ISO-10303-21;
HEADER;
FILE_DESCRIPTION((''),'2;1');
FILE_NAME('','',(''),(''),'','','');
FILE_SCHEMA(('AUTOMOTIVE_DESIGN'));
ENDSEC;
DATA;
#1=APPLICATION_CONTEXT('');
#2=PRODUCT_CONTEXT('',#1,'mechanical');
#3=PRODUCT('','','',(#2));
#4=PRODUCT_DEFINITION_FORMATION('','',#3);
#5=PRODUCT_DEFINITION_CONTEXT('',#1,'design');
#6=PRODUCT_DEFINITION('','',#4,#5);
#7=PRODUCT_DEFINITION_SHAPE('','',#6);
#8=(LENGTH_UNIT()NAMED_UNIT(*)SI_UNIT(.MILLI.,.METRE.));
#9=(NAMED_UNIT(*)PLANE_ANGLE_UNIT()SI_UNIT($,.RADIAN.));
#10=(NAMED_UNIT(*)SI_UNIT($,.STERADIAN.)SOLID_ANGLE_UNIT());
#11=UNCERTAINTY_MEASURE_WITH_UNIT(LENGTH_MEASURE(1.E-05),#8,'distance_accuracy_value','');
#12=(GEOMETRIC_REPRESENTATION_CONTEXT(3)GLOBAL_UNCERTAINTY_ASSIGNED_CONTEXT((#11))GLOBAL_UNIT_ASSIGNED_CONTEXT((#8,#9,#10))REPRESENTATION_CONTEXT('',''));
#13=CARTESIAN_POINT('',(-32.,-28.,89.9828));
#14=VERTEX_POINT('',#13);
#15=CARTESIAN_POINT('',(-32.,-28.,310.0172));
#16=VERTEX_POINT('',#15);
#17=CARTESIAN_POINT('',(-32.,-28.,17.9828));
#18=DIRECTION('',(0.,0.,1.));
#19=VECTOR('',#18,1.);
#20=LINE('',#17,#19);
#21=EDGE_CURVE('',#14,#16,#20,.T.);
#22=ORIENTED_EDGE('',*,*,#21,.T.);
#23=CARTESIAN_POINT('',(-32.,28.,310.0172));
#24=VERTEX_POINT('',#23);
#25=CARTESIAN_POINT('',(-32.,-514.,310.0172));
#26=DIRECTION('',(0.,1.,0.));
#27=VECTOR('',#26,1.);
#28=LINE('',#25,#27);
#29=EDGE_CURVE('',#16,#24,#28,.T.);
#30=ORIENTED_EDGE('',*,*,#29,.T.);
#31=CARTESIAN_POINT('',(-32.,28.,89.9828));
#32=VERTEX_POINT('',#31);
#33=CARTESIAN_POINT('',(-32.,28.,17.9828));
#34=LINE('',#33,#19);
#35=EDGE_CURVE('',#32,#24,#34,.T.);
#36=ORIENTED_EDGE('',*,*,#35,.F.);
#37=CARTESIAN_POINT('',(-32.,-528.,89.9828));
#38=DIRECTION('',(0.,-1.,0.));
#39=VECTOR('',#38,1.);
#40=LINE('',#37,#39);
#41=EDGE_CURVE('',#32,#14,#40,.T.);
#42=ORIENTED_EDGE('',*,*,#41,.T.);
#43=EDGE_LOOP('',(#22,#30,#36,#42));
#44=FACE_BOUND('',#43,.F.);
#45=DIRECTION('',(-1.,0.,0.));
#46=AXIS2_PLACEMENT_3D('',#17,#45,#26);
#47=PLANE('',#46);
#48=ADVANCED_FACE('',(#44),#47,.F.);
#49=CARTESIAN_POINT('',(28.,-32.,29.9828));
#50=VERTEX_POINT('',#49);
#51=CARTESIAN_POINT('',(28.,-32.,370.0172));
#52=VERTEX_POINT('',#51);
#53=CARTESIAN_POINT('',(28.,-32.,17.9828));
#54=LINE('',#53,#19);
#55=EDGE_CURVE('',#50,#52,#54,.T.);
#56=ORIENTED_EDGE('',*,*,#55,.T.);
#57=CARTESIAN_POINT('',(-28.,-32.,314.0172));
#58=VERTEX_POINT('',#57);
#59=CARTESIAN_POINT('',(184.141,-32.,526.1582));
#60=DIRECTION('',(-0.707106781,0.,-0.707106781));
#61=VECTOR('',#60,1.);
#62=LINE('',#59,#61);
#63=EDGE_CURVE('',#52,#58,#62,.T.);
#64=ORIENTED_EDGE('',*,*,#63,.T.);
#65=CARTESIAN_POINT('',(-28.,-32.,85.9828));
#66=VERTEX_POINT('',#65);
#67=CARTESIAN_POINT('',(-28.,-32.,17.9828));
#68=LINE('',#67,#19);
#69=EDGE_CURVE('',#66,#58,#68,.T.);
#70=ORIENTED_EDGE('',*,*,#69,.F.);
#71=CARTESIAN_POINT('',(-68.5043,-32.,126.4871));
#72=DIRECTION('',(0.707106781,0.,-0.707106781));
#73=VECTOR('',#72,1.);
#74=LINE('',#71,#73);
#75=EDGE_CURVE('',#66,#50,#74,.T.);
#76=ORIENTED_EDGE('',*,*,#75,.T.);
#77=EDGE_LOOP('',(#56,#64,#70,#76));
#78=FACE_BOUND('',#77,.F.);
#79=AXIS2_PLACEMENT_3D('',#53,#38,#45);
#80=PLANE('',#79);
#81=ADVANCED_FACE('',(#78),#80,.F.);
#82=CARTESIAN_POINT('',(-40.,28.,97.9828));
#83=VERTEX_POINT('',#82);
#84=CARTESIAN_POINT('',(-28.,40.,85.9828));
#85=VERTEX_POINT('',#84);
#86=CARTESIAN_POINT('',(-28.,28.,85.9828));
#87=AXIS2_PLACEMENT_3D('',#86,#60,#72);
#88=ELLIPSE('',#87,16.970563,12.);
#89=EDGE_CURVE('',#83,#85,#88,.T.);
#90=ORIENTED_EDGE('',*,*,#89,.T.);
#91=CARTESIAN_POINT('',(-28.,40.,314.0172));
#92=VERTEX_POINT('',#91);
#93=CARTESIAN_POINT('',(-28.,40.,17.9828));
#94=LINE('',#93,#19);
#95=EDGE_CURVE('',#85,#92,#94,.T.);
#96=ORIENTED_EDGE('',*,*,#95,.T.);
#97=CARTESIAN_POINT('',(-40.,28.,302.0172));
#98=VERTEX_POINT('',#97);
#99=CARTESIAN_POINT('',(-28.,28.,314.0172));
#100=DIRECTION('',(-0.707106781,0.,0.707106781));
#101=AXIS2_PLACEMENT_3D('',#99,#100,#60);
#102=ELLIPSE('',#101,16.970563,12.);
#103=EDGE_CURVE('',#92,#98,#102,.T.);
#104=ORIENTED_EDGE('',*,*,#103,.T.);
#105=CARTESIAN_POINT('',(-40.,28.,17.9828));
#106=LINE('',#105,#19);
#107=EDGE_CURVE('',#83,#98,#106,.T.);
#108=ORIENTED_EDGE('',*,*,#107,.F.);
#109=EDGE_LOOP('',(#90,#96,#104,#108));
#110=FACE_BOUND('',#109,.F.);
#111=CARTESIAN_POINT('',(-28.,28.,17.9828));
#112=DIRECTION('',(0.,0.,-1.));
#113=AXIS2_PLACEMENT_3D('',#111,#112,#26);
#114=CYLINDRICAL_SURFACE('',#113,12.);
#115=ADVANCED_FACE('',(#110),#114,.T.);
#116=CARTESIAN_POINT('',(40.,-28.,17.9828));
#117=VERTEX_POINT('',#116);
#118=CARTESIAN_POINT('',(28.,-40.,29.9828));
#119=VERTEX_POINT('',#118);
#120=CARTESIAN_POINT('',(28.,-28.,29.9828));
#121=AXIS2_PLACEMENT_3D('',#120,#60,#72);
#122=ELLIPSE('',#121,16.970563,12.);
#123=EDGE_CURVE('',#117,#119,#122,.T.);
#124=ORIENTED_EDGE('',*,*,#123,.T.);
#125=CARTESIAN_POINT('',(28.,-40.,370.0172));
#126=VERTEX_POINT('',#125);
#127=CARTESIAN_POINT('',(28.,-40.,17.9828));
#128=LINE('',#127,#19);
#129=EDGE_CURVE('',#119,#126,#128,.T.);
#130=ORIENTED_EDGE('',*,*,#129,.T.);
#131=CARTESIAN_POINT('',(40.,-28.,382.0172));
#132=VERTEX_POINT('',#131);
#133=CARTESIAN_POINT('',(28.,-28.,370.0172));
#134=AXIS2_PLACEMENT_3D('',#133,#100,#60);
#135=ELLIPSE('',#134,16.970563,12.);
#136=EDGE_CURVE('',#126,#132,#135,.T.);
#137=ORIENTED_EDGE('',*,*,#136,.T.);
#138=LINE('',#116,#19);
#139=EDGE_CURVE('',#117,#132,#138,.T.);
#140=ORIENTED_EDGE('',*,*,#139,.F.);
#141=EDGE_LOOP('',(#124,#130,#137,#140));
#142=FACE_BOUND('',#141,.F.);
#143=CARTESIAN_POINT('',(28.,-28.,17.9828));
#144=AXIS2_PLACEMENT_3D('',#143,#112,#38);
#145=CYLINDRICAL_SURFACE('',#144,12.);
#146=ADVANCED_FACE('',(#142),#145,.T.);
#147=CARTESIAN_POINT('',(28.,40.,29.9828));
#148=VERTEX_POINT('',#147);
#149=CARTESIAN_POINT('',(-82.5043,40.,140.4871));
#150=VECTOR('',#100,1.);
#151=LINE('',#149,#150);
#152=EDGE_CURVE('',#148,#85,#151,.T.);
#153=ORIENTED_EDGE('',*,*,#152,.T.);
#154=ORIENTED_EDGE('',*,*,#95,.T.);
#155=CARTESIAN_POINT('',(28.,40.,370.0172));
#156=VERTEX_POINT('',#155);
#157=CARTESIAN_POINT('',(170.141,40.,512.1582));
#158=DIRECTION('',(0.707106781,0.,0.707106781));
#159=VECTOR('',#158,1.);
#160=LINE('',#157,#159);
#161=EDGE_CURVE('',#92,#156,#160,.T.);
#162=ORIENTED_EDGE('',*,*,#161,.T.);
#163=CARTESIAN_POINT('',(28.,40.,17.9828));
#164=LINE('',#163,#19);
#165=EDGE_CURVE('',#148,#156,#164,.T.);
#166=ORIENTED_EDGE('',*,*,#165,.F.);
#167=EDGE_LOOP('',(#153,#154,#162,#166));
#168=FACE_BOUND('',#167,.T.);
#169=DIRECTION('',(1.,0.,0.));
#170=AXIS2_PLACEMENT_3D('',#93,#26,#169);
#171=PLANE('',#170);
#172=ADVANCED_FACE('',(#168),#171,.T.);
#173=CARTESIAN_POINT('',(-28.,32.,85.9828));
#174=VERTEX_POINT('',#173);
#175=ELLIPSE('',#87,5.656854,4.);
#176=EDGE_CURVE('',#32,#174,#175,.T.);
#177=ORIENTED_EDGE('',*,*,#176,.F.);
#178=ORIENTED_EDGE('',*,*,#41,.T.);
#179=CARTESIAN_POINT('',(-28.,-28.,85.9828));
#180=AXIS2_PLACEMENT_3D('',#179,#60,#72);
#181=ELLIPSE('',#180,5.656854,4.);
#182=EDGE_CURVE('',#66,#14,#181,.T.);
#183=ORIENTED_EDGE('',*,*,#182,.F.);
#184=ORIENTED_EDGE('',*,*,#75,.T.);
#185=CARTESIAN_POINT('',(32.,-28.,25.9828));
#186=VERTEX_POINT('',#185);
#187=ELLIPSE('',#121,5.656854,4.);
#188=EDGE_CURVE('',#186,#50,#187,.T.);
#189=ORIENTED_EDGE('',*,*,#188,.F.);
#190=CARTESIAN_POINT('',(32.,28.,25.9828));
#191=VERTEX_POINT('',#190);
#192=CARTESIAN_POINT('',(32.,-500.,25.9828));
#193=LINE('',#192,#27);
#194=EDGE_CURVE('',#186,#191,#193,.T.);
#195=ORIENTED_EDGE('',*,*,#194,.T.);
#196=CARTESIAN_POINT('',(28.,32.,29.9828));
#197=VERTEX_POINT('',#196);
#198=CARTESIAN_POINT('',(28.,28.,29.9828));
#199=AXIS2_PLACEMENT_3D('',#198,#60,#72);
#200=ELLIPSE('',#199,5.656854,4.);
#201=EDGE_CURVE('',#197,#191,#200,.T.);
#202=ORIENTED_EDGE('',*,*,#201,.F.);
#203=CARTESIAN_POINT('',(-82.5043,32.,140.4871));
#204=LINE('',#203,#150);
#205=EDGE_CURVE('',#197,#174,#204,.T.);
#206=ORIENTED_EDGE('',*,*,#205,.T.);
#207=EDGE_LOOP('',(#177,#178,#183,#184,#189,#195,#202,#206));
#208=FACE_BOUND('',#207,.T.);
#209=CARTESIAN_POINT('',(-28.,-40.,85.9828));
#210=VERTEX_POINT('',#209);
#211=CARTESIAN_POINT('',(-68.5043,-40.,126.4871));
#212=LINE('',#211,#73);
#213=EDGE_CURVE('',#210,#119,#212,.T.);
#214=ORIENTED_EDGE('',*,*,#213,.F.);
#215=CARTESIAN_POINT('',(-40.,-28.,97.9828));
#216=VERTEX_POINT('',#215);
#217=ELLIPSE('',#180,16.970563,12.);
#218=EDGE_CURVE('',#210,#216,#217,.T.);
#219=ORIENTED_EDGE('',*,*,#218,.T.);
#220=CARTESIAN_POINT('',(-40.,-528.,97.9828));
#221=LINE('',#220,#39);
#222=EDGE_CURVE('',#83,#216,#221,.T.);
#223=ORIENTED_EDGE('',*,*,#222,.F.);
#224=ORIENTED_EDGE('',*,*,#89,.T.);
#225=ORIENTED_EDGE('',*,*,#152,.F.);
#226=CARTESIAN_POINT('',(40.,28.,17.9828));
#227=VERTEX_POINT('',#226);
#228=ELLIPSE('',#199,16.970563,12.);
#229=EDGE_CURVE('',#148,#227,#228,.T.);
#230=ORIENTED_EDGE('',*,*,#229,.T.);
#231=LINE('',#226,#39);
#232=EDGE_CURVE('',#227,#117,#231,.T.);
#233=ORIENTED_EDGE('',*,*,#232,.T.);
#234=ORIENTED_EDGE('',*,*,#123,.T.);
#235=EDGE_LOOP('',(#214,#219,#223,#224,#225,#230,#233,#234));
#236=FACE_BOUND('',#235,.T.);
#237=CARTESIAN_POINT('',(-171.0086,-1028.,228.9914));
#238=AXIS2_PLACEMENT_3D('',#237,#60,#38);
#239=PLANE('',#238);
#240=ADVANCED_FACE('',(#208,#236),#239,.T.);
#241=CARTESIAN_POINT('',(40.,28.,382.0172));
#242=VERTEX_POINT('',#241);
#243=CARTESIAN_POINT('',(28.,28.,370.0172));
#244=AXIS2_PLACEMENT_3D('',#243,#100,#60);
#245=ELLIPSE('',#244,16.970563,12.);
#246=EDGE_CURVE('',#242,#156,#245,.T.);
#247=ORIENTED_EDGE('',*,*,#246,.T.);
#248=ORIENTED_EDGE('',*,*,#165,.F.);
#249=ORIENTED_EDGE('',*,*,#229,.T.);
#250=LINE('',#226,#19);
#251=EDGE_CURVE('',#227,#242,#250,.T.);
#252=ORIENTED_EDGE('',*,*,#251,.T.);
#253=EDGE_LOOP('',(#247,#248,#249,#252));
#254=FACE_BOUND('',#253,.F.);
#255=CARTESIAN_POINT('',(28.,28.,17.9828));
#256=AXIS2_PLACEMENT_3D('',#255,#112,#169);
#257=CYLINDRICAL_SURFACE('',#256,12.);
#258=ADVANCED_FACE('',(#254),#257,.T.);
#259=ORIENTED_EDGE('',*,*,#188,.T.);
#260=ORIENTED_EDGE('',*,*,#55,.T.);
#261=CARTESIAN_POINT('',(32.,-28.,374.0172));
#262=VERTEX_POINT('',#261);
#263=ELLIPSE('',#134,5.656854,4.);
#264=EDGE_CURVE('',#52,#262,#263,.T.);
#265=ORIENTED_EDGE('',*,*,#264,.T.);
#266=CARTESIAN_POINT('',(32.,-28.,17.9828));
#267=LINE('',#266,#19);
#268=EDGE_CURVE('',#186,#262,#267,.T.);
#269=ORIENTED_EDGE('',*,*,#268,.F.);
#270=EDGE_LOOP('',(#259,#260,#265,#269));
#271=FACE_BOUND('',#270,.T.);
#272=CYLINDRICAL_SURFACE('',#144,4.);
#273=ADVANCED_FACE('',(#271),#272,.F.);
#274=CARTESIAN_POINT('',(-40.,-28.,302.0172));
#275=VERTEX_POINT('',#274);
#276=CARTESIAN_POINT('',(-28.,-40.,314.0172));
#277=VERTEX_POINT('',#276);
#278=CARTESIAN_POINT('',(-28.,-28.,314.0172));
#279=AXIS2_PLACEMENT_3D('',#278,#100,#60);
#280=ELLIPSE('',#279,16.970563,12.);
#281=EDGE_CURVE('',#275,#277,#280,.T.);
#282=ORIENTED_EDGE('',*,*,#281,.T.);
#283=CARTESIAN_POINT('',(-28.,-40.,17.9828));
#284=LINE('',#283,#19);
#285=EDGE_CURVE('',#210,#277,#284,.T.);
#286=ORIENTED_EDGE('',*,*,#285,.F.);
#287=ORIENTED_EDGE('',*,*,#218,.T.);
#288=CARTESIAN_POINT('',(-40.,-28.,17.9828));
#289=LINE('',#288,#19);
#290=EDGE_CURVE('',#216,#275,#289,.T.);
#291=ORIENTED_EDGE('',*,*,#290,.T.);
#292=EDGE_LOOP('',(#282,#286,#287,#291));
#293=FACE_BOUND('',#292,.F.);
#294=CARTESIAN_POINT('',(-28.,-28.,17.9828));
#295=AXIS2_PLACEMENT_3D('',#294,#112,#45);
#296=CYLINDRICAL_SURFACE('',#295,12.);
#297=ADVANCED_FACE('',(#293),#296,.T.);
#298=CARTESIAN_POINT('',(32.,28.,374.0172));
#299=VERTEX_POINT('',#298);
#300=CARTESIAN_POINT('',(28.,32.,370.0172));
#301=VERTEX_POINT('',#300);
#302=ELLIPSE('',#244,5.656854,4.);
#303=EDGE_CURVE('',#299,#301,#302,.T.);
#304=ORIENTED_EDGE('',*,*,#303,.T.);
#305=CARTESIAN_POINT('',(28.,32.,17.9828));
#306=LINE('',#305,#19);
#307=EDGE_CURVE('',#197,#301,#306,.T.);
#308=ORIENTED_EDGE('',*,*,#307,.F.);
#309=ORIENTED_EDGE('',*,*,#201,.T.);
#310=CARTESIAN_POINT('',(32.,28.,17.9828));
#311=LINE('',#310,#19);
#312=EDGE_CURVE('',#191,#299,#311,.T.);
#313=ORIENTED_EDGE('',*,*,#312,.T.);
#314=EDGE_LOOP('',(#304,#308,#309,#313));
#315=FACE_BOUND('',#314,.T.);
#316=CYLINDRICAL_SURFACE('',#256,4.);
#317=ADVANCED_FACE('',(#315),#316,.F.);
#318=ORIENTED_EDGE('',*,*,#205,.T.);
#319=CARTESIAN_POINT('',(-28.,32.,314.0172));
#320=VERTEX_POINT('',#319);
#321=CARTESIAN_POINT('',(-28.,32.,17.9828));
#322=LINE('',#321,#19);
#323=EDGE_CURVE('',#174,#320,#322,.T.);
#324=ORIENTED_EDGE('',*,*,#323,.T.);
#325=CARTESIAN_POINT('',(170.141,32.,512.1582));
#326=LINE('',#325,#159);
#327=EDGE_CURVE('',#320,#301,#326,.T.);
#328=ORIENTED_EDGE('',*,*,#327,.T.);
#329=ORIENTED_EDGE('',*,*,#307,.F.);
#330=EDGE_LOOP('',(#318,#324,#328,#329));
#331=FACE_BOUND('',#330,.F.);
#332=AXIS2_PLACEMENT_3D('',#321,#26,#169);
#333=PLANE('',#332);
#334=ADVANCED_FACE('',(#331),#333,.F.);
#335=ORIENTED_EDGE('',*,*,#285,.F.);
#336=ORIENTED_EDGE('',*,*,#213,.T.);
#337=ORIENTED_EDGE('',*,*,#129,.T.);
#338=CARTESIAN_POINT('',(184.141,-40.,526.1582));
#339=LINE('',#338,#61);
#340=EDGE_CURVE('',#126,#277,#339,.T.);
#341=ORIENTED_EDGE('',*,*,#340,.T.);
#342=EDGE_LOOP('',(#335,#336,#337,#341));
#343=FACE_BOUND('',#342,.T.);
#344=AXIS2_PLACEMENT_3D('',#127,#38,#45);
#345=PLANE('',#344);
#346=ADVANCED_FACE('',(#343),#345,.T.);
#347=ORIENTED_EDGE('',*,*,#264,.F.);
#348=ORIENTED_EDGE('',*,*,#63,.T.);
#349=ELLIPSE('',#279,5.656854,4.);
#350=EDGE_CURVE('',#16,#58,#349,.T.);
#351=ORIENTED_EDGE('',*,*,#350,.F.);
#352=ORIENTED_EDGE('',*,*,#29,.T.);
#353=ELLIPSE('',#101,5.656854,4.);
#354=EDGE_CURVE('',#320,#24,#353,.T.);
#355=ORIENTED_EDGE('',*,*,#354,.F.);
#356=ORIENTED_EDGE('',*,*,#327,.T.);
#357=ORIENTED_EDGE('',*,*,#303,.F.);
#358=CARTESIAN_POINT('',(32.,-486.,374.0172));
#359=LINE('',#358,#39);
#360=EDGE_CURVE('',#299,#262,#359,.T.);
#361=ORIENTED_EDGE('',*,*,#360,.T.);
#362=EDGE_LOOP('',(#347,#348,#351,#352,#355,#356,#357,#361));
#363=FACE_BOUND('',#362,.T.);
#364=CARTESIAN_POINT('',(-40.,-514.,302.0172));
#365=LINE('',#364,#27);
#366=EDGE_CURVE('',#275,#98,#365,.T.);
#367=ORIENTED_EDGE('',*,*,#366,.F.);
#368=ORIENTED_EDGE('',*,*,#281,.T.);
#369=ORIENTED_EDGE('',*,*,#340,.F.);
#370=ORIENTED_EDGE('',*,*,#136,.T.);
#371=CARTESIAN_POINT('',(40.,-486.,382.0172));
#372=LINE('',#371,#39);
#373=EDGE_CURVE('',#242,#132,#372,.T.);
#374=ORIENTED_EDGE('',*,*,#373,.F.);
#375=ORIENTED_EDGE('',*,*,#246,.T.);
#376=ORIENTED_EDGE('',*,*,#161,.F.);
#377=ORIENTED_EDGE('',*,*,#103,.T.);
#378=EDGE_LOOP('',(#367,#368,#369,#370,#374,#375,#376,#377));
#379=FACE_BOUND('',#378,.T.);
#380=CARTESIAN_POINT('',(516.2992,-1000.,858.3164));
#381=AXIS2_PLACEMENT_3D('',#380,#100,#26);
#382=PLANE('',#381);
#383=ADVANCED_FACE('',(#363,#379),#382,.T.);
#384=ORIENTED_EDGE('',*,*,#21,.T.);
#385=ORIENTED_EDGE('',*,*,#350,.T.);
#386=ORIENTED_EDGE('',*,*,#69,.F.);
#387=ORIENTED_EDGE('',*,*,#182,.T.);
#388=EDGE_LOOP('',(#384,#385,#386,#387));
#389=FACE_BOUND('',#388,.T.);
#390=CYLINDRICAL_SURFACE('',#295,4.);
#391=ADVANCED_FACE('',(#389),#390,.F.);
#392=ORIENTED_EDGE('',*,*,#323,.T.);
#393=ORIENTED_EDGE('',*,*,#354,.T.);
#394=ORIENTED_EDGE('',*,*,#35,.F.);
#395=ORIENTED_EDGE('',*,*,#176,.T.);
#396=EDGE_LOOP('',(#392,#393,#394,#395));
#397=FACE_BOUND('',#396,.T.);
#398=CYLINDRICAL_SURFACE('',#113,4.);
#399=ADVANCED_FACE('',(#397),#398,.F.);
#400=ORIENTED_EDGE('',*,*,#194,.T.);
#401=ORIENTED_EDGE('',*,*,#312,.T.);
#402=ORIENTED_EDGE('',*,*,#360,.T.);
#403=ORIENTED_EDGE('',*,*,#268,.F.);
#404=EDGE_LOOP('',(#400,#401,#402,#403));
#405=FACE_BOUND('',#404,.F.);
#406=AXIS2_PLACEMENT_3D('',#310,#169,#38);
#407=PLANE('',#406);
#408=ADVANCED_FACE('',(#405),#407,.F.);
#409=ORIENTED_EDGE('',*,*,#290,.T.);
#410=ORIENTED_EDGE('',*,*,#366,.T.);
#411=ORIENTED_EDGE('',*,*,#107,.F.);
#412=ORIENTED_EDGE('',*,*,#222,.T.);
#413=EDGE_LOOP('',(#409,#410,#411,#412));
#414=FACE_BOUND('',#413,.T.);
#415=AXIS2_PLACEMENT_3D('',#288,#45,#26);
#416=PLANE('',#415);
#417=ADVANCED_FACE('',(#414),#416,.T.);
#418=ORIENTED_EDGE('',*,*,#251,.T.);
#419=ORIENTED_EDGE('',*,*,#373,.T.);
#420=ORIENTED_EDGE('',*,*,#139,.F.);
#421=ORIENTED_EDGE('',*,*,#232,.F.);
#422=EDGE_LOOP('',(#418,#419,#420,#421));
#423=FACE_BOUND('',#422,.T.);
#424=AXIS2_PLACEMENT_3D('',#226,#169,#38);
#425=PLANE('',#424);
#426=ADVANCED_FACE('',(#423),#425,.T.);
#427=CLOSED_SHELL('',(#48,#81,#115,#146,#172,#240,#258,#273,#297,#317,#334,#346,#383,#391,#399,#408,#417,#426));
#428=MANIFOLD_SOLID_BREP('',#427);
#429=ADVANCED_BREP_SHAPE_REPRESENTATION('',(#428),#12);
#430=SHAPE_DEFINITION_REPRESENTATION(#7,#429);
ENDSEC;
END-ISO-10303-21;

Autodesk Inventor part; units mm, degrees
ref_plane "Start Plane" through (0, 0, 17.9828) normal (0, 0, 1) x (1, 0, 0)
ref_plane "End Plane" through (0, 0, 382.0172) normal (0, 0, 1) x (1, 0, 0)
sketch "Sketch" plane through (0, 0, 0) normal (0, 0, 1) x (1, 0, 0)
  line L0 (-40, -28) -> (-40, 28)
  line L1 (-28, 40) -> (28, 40)
  line L2 (40, 28) -> (40, -28)
  line L3 (28, -40) -> (-28, -40)
  arc A0 (-40, -28) -> (-28, -40) centre (-28, -28) ccw
  arc A1 (-28, 40) -> (-40, 28) centre (-28, 28) ccw
  arc A2 (40, 28) -> (28, 40) centre (28, 28) ccw
  arc A3 (28, -40) -> (40, -28) centre (28, -28) ccw
  arc A4 (-28, 32) -> (-32, 28) centre (-28, 28) ccw
  line L4 (-28, 32) -> (28, 32)
  arc A5 (32, 28) -> (28, 32) centre (28, 28) ccw
  line L5 (32, 28) -> (32, -28)
  arc A6 (28, -32) -> (32, -28) centre (28, -28) ccw
  line L6 (28, -32) -> (-28, -32)
  arc A7 (-32, -28) -> (-28, -32) centre (-28, -28) ccw
  line L7 (-32, -28) -> (-32, 28)
  line L8 (0, 59.4794) -> (0, -59.4794) construction
  line L9 (-59.4794, 0) -> (59.4794, 0) construction
  dimension "d7" = 12
  dimension "d10" = 80
  dimension "d11" = 80
  dimension "d12" = 8
  dimension "d15" = 40
  dimension "d16" = 40
extrude "Body" add sketch "Sketch" along normal up to surface (364.0345 mm away) from surface at 17.9828
sketch "Sketch3" plane through (0, 0, 0) normal (0, 0, 1) x (1, 0, 0)
  line L0 (0, 0) -> (10, 0)
ref_plane "Work Plane3" through (0, 0, 0) normal (0, -1, 0) x (1, 0, 0)
ref_plane "Work Plane4" through (516.2992, -1000, 858.3164) normal (-0.7071, 0, 0.7071) x (0.7071, 0, 0.7071)
split "Split1" plane through (516.2992, -1000, 858.3164) removes the side toward (-0.7071, 0, 0.7071)
ref_plane "Work Plane5" through (-171.0086, -1028, 228.9914) normal (-0.7071, 0, -0.7071) x (-0.7071, 0, 0.7071)
split "Split2" plane through (-171.0086, -1028, 228.9914) removes the side toward (-0.7071, 0, -0.7071)
sketch "Sketch4" plane through (0, 0, 0) normal (0, -1, 0) x (1, 0, 0)
  line L0 (-2, 17.9828) -> (12, 17.9828) projected
  line L1 (-2, 382.0172) -> (12, 382.0172) projected
  dimension "d18" = 364.0345
equation "\"d7\" = G_IR"
equation "\"d10\" = G_H"
equation "\"d11\" = G_W"
equation "\"d12\" = G_T"
equation "\"d15\" = 0.5 * d10"
equation "\"d16\" = 0.5 * d11"
equation "\"d3\" = G_L"
equation "\"G_W\" = 80"
equation "\"G_H\" = 80"
equation "\"G_T\" = 8"
equation "\"G_IR\" = 12"
equation "\"G_L\" = d18"
equation "\"G_OFFSET_START\" = -17.98276"
equation "\"G_OFFSET_END\" = -17.98276"
equation "\"d13\" = -G_OFFSET_START"
equation "\"d14\" = G_OFFSET_END + B_L"
equation "\"B_L\" = 400"
properties part number "ISO 12633-2 - 80x80x8 - 364.03" material "Steel, Mild"
